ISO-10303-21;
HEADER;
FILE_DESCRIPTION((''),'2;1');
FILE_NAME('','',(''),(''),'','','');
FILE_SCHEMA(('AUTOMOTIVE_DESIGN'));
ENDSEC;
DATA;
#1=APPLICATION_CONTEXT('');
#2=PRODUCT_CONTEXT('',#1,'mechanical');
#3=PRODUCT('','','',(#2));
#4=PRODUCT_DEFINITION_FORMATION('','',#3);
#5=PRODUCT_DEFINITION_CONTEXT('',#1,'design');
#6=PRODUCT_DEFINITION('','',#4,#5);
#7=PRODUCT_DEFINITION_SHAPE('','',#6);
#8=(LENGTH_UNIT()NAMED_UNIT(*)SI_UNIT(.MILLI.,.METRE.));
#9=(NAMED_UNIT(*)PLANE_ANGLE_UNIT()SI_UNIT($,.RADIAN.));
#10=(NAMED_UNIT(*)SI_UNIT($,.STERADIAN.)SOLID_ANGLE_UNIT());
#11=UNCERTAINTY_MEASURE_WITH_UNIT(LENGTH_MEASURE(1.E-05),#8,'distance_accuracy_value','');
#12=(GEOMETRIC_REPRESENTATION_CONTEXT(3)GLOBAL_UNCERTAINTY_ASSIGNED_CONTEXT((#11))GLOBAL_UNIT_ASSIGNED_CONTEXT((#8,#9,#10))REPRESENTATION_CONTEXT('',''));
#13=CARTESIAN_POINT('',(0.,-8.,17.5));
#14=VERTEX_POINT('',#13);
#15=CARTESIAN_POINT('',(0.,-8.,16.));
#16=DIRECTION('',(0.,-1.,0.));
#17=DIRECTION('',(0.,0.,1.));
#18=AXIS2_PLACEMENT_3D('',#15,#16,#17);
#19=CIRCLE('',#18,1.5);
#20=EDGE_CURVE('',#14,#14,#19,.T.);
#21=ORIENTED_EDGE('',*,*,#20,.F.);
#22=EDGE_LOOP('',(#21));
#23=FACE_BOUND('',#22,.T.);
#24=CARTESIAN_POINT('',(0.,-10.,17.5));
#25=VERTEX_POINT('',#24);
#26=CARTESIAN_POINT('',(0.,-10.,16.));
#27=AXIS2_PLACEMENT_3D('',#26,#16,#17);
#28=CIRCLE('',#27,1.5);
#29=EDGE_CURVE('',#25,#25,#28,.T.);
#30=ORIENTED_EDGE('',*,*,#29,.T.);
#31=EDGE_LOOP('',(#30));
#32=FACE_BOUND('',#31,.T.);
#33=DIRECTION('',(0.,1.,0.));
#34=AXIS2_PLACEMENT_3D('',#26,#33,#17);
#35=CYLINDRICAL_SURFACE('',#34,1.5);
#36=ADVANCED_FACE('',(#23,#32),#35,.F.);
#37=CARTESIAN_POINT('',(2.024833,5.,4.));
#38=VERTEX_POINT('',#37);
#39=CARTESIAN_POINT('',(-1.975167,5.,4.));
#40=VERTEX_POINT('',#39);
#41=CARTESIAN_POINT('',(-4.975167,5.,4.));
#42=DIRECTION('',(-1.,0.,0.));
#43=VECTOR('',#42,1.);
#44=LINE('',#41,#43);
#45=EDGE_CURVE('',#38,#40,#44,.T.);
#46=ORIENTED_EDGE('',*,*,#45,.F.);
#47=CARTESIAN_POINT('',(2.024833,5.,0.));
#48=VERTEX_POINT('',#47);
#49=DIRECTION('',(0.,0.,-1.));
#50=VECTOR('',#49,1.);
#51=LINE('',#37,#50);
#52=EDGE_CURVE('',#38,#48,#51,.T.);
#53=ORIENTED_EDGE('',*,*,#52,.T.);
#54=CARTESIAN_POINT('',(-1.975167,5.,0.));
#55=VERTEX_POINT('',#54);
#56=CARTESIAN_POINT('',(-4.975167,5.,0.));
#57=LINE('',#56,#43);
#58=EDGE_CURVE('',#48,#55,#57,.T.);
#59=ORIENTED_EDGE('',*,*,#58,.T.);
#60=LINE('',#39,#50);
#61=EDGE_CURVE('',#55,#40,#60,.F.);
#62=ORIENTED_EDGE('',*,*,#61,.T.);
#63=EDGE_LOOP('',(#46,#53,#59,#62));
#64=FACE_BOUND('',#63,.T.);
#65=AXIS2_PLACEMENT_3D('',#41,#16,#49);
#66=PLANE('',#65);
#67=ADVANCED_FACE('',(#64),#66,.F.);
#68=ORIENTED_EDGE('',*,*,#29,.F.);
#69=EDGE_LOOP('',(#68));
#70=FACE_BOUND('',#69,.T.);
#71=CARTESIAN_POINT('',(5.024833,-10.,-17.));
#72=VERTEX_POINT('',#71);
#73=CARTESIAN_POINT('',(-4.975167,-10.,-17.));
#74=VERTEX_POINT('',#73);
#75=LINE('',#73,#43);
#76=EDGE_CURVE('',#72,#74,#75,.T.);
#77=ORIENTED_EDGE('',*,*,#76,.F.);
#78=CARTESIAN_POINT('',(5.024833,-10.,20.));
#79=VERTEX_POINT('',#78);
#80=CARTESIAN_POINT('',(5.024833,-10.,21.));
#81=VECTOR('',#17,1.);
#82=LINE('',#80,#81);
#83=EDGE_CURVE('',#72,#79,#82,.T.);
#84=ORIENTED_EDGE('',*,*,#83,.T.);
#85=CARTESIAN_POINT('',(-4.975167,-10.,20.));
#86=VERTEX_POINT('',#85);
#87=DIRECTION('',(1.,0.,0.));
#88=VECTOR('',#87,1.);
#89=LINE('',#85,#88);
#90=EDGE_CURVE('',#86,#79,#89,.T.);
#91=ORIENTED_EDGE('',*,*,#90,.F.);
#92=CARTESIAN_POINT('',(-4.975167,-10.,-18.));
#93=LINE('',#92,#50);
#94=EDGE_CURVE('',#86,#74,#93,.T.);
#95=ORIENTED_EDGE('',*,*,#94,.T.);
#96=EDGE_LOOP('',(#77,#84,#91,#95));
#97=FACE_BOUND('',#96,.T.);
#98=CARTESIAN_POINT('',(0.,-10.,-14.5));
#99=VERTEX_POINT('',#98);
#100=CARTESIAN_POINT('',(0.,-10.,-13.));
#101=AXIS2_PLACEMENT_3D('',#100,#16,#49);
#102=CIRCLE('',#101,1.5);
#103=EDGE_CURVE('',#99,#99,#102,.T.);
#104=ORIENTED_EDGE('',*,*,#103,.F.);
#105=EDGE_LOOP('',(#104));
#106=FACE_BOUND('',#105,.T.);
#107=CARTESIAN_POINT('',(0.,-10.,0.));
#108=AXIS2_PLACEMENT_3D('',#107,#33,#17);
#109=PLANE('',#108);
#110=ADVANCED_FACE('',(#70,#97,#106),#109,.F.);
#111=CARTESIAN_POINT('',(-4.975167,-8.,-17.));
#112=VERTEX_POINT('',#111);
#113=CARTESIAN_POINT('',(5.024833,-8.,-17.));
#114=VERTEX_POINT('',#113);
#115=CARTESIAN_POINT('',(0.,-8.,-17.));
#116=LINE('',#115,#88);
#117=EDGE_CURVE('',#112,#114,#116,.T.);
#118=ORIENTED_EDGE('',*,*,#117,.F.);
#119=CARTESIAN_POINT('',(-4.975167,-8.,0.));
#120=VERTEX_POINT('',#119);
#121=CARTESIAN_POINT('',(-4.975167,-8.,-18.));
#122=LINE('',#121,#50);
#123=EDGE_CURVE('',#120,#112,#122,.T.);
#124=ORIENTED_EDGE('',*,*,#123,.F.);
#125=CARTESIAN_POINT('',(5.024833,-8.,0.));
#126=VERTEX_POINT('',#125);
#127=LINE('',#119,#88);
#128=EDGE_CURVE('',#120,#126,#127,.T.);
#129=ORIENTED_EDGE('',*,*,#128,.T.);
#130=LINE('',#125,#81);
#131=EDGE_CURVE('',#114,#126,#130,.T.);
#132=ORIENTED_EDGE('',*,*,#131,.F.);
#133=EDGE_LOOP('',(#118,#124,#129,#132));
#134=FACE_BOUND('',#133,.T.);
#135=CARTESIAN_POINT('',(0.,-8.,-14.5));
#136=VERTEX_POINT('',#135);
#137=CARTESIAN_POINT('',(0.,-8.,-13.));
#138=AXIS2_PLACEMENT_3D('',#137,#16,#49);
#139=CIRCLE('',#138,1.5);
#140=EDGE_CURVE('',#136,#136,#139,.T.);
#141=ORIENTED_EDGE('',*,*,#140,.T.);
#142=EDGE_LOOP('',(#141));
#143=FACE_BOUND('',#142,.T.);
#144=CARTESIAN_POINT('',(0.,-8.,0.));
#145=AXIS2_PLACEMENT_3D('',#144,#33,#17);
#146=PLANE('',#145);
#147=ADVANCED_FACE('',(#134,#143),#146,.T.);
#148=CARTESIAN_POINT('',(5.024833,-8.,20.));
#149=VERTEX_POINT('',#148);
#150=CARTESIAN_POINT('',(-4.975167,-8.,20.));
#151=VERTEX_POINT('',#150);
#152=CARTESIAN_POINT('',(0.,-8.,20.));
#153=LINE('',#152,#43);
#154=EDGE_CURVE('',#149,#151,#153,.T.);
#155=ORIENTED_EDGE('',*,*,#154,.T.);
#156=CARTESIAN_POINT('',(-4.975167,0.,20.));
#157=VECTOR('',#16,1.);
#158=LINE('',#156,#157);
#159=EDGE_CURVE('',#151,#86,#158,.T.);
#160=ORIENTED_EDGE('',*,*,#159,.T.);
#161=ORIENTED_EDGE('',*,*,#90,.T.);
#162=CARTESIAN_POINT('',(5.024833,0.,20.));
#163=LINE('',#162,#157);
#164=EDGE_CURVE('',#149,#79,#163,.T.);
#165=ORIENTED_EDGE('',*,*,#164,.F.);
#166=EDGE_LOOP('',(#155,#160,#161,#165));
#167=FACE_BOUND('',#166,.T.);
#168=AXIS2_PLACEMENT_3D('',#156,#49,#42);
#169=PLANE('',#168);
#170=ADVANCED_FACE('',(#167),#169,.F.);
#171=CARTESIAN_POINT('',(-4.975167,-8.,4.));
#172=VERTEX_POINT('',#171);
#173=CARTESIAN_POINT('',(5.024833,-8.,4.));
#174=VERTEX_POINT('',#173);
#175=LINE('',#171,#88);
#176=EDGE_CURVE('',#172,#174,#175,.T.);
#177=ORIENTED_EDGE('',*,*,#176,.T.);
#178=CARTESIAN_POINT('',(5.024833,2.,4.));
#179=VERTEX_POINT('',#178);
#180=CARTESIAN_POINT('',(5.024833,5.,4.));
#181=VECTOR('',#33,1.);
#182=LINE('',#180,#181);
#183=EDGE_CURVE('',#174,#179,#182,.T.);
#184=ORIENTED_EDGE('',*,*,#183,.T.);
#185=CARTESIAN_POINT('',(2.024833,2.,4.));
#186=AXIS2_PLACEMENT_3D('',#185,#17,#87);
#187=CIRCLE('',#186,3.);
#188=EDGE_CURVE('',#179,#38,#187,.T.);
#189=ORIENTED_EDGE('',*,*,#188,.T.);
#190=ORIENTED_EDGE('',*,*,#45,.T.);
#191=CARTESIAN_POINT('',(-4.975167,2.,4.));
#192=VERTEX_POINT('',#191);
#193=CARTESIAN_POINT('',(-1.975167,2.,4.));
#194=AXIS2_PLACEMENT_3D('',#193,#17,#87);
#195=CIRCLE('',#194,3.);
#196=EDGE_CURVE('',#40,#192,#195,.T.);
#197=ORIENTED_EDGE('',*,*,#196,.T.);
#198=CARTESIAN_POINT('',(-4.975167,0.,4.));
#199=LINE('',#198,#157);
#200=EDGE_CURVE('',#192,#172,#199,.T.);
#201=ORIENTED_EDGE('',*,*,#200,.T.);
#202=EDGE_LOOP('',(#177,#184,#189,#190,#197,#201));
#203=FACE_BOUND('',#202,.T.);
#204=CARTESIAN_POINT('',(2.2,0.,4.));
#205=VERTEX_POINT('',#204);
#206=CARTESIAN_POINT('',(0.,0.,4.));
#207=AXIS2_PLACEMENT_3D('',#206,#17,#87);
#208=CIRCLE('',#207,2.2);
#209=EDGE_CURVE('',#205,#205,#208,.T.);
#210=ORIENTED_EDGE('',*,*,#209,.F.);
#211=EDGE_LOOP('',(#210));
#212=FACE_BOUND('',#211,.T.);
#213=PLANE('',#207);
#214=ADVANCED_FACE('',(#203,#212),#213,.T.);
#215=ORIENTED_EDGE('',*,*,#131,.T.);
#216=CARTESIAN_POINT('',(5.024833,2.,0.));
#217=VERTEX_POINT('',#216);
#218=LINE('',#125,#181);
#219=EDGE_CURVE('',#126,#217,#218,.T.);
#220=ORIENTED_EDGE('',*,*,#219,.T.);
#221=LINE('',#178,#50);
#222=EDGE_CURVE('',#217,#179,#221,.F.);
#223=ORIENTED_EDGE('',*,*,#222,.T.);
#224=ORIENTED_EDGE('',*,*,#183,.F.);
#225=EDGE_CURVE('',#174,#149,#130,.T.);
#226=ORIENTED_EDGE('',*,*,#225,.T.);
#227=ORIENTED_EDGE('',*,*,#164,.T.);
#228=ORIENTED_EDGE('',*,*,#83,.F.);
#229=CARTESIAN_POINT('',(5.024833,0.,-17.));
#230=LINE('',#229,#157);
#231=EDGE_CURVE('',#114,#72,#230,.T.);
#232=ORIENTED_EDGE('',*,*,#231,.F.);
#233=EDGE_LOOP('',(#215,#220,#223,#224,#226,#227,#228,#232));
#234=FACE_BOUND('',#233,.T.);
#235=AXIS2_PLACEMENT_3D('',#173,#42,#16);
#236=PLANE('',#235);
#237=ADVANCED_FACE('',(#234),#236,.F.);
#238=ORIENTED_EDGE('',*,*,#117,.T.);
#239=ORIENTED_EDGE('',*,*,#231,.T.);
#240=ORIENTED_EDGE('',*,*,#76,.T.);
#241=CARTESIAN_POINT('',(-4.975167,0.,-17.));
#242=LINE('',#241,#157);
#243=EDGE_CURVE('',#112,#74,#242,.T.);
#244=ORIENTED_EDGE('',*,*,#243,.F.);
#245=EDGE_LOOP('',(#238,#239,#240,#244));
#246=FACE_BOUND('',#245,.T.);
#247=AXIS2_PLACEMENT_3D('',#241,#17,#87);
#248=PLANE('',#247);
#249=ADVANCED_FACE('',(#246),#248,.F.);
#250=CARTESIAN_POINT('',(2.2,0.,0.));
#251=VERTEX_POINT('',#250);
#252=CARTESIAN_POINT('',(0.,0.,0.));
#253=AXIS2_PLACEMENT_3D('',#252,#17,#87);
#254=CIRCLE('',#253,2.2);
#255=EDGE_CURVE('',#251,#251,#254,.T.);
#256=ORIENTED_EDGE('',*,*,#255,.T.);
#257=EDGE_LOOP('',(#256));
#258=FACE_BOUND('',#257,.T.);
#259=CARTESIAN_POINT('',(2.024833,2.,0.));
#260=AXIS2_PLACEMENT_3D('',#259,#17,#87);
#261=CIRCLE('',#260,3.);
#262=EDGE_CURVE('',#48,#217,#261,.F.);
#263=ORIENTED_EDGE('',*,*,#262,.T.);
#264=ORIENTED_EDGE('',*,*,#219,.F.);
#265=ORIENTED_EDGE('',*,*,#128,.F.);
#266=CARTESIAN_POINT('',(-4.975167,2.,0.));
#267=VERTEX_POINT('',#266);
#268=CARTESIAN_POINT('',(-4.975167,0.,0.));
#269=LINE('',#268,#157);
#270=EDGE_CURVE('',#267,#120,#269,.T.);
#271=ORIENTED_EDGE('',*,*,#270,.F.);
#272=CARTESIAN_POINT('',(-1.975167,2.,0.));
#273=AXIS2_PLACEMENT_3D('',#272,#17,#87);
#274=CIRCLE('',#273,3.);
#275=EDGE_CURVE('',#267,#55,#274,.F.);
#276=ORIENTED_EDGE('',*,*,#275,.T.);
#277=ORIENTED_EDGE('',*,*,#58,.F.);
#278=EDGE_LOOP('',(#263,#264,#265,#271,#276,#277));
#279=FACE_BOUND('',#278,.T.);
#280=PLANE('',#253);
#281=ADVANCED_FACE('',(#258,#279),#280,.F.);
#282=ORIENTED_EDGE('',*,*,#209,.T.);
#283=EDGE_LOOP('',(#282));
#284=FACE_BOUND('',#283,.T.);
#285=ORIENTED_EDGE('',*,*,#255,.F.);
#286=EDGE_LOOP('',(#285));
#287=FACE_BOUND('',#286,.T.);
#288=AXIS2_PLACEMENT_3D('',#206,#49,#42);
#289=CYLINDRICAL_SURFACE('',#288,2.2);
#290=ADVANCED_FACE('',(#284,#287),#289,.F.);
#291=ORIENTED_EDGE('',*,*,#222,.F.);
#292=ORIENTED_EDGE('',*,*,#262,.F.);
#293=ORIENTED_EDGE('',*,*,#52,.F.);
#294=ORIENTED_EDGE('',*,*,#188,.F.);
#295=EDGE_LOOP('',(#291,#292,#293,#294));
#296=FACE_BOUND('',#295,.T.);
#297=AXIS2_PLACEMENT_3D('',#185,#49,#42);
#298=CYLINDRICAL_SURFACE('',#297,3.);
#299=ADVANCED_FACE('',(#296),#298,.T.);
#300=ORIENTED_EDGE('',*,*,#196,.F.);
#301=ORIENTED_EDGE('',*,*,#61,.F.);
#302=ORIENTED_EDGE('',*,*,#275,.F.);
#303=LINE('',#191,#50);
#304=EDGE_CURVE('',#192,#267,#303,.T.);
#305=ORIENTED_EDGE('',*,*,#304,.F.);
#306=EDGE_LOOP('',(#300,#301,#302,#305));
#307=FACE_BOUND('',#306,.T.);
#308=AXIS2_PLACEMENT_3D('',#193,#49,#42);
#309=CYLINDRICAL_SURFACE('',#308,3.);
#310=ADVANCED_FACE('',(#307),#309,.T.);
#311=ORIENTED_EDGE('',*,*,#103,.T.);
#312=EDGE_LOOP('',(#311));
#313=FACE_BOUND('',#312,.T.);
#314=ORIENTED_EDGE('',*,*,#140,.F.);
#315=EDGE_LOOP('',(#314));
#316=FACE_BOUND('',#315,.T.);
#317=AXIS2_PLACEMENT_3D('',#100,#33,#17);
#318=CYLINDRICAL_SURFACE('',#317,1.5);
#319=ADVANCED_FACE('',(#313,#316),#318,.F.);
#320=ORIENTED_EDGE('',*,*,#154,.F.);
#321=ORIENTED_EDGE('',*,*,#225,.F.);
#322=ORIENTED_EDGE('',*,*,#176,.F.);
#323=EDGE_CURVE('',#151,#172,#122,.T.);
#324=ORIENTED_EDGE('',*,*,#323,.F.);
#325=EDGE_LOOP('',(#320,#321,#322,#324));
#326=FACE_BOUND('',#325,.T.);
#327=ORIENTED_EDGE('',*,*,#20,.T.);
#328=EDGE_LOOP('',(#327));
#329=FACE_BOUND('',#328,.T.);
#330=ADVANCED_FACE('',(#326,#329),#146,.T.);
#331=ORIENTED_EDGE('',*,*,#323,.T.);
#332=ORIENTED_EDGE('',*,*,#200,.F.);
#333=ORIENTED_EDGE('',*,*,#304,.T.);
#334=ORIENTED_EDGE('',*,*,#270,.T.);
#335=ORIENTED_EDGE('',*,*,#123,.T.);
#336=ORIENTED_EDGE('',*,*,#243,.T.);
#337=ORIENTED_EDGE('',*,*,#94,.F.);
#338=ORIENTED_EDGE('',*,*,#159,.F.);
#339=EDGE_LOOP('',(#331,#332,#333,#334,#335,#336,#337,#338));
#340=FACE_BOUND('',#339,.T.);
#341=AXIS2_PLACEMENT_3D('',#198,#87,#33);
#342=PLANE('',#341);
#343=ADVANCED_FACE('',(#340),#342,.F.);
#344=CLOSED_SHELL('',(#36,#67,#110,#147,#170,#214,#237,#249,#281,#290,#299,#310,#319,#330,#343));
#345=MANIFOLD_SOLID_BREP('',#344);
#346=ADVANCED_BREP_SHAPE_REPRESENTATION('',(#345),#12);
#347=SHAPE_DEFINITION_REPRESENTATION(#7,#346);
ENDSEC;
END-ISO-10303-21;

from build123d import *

# Parameters (mm, degrees)
SKETCH_1_R          = 2.2
EXTRUDE_1_DEPTH     = 4
SKETCH_2_R          = 1.5
EXTRUDE_2_DEPTH     = 2
FILLET_1_R          = 3
SKETCH_3_W          = 10
SKETCH_3_H          = 1
CUT_EXTRUDE_1_DEPTH = 10


with BuildPart() as part:
    # 草图1 → 凸台-拉伸1 (new body)
    with BuildSketch(Plane.XY):
        Polygon((-4.975166703, 0), (-4.975166703, -8), (5.024833297, -8), (5.024833297, 0), (5.024833297, 5), (-4.975166703, 5), align=None)
        Circle(SKETCH_1_R, mode=Mode.SUBTRACT)
    extrude(amount=EXTRUDE_1_DEPTH)

    # 草图2 → 凸台-拉伸2 (add)
    with BuildSketch(Plane.XZ.offset(8)):
        Polygon((5.024833297, 0), (5.024833297, -18), (-4.975166703, -18), (-4.975166703, 21), (5.024833297, 21), align=None)
        with Locations(Location((0, -13, 0), (0, 0, 270))):
            Circle(SKETCH_2_R, mode=Mode.SUBTRACT)
        with Locations(Location((0, 16, 0), (0, 0, 90))):
            Circle(SKETCH_2_R, mode=Mode.SUBTRACT)
    extrude(amount=EXTRUDE_2_DEPTH)

    # 圆角1
    fillet_1_edges = [part.edges().sort_by_distance(p)[0] for p in [
        (-4.975166703, 5, 2),
        (5.024833297, 5, 2),
    ]]
    fillet(fillet_1_edges, radius=FILLET_1_R)

    # 草图3 → 切除-拉伸1 (cut)
    with BuildSketch(Plane.XZ.offset(10)):
        with Locations((0.024833297, 20.5)):
            Rectangle(SKETCH_3_W, SKETCH_3_H)
        with Locations((0.024833297, -17.5)):
            Rectangle(SKETCH_3_W, SKETCH_3_H)
    extrude(amount=-CUT_EXTRUDE_1_DEPTH, mode=Mode.SUBTRACT)


solid = part.part
